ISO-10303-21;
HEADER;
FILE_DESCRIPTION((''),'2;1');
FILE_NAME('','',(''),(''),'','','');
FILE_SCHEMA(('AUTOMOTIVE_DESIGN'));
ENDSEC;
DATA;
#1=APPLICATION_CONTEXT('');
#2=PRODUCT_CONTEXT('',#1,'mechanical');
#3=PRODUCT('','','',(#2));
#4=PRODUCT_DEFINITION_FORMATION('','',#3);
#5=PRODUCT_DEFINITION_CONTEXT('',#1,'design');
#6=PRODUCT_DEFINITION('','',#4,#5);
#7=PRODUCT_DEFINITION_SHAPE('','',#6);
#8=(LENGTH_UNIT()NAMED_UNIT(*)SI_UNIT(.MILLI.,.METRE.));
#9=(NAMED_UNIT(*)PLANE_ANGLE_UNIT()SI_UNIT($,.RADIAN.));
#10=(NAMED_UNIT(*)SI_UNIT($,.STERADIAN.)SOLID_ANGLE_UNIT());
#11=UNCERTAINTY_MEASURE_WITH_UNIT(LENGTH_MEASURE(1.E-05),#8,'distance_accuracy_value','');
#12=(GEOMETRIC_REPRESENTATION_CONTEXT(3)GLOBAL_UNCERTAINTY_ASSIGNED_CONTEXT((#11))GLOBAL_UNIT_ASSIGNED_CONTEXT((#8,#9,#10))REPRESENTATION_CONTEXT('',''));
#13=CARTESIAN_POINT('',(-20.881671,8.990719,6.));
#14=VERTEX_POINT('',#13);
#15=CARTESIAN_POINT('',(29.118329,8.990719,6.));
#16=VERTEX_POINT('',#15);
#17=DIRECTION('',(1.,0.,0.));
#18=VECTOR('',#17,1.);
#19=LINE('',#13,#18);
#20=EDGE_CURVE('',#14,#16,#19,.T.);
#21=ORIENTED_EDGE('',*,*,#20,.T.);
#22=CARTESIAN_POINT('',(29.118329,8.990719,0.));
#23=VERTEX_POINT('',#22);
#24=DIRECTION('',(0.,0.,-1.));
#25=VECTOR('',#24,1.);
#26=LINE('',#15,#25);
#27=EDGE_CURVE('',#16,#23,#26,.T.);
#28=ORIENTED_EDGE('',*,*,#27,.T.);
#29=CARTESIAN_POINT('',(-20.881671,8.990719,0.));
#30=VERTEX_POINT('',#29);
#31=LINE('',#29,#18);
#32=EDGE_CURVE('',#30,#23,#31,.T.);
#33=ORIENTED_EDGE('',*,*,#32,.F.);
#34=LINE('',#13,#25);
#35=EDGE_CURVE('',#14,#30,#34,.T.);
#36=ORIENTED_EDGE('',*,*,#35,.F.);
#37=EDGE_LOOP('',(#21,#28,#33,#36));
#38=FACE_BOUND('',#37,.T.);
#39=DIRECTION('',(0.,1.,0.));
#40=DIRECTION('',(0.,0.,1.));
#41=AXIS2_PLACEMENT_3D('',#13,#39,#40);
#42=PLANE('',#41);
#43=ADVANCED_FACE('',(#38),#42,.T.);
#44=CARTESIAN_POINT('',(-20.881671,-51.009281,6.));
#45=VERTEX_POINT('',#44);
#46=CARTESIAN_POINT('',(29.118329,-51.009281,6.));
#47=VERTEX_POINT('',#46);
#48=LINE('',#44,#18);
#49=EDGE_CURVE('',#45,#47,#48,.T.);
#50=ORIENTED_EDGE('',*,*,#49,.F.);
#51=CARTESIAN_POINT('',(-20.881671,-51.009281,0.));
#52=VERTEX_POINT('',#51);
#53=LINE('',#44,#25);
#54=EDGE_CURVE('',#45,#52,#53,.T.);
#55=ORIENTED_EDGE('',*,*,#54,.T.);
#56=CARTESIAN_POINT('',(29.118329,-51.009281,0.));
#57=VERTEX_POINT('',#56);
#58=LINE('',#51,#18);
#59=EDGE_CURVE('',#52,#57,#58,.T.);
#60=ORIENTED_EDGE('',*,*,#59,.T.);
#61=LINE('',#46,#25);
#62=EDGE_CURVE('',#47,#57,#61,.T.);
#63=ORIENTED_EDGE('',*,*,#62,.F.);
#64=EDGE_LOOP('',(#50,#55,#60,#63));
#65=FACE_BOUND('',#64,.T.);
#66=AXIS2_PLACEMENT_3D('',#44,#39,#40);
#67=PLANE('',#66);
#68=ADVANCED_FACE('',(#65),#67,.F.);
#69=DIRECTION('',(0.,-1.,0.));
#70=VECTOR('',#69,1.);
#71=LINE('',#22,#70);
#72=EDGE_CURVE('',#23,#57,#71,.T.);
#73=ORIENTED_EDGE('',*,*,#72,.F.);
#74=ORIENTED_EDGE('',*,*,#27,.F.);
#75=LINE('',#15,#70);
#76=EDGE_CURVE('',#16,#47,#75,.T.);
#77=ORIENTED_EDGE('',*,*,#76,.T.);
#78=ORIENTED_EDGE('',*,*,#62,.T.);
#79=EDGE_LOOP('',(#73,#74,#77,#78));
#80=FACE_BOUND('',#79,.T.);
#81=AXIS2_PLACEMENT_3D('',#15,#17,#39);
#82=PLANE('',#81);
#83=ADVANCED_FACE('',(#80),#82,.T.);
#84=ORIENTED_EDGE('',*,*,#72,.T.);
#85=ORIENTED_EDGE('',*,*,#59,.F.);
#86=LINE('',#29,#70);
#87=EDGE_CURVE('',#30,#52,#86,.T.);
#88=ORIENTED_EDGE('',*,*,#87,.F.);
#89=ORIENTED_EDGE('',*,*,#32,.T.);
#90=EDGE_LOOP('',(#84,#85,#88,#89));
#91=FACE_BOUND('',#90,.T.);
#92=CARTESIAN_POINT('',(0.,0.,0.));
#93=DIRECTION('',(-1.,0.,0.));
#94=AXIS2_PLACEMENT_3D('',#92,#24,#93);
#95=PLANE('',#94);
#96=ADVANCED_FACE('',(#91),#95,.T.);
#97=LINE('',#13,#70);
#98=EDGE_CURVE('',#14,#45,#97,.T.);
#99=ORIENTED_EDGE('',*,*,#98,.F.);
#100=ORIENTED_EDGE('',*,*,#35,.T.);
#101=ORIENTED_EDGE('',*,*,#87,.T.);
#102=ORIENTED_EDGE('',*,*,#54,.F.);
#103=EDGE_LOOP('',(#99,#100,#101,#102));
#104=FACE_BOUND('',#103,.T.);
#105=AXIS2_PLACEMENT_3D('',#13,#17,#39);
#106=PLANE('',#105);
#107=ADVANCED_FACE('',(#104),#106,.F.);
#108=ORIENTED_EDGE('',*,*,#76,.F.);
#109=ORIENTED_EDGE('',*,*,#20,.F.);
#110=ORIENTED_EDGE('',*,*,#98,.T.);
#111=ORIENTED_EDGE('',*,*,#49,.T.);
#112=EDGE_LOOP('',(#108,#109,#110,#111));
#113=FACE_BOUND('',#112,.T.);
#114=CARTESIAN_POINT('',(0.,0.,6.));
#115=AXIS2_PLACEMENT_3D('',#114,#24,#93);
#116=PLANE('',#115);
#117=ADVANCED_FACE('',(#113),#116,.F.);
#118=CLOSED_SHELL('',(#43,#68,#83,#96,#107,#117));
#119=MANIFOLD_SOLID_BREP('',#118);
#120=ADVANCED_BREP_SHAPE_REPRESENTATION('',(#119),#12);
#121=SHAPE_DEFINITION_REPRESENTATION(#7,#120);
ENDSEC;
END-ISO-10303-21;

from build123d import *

# Parameters (mm, degrees)
SKETCH_1_W      = 50
SKETCH_1_H      = 60
EXTRUDE_1_DEPTH = 6


with BuildPart() as part:
    # 草图1 → 凸台-拉伸1 (new body)
    with BuildSketch(Plane.XY):
        with Locations((4.118329466, -21.009280742)):
            Rectangle(SKETCH_1_W, SKETCH_1_H)
    extrude(amount=EXTRUDE_1_DEPTH)


solid = part.part
